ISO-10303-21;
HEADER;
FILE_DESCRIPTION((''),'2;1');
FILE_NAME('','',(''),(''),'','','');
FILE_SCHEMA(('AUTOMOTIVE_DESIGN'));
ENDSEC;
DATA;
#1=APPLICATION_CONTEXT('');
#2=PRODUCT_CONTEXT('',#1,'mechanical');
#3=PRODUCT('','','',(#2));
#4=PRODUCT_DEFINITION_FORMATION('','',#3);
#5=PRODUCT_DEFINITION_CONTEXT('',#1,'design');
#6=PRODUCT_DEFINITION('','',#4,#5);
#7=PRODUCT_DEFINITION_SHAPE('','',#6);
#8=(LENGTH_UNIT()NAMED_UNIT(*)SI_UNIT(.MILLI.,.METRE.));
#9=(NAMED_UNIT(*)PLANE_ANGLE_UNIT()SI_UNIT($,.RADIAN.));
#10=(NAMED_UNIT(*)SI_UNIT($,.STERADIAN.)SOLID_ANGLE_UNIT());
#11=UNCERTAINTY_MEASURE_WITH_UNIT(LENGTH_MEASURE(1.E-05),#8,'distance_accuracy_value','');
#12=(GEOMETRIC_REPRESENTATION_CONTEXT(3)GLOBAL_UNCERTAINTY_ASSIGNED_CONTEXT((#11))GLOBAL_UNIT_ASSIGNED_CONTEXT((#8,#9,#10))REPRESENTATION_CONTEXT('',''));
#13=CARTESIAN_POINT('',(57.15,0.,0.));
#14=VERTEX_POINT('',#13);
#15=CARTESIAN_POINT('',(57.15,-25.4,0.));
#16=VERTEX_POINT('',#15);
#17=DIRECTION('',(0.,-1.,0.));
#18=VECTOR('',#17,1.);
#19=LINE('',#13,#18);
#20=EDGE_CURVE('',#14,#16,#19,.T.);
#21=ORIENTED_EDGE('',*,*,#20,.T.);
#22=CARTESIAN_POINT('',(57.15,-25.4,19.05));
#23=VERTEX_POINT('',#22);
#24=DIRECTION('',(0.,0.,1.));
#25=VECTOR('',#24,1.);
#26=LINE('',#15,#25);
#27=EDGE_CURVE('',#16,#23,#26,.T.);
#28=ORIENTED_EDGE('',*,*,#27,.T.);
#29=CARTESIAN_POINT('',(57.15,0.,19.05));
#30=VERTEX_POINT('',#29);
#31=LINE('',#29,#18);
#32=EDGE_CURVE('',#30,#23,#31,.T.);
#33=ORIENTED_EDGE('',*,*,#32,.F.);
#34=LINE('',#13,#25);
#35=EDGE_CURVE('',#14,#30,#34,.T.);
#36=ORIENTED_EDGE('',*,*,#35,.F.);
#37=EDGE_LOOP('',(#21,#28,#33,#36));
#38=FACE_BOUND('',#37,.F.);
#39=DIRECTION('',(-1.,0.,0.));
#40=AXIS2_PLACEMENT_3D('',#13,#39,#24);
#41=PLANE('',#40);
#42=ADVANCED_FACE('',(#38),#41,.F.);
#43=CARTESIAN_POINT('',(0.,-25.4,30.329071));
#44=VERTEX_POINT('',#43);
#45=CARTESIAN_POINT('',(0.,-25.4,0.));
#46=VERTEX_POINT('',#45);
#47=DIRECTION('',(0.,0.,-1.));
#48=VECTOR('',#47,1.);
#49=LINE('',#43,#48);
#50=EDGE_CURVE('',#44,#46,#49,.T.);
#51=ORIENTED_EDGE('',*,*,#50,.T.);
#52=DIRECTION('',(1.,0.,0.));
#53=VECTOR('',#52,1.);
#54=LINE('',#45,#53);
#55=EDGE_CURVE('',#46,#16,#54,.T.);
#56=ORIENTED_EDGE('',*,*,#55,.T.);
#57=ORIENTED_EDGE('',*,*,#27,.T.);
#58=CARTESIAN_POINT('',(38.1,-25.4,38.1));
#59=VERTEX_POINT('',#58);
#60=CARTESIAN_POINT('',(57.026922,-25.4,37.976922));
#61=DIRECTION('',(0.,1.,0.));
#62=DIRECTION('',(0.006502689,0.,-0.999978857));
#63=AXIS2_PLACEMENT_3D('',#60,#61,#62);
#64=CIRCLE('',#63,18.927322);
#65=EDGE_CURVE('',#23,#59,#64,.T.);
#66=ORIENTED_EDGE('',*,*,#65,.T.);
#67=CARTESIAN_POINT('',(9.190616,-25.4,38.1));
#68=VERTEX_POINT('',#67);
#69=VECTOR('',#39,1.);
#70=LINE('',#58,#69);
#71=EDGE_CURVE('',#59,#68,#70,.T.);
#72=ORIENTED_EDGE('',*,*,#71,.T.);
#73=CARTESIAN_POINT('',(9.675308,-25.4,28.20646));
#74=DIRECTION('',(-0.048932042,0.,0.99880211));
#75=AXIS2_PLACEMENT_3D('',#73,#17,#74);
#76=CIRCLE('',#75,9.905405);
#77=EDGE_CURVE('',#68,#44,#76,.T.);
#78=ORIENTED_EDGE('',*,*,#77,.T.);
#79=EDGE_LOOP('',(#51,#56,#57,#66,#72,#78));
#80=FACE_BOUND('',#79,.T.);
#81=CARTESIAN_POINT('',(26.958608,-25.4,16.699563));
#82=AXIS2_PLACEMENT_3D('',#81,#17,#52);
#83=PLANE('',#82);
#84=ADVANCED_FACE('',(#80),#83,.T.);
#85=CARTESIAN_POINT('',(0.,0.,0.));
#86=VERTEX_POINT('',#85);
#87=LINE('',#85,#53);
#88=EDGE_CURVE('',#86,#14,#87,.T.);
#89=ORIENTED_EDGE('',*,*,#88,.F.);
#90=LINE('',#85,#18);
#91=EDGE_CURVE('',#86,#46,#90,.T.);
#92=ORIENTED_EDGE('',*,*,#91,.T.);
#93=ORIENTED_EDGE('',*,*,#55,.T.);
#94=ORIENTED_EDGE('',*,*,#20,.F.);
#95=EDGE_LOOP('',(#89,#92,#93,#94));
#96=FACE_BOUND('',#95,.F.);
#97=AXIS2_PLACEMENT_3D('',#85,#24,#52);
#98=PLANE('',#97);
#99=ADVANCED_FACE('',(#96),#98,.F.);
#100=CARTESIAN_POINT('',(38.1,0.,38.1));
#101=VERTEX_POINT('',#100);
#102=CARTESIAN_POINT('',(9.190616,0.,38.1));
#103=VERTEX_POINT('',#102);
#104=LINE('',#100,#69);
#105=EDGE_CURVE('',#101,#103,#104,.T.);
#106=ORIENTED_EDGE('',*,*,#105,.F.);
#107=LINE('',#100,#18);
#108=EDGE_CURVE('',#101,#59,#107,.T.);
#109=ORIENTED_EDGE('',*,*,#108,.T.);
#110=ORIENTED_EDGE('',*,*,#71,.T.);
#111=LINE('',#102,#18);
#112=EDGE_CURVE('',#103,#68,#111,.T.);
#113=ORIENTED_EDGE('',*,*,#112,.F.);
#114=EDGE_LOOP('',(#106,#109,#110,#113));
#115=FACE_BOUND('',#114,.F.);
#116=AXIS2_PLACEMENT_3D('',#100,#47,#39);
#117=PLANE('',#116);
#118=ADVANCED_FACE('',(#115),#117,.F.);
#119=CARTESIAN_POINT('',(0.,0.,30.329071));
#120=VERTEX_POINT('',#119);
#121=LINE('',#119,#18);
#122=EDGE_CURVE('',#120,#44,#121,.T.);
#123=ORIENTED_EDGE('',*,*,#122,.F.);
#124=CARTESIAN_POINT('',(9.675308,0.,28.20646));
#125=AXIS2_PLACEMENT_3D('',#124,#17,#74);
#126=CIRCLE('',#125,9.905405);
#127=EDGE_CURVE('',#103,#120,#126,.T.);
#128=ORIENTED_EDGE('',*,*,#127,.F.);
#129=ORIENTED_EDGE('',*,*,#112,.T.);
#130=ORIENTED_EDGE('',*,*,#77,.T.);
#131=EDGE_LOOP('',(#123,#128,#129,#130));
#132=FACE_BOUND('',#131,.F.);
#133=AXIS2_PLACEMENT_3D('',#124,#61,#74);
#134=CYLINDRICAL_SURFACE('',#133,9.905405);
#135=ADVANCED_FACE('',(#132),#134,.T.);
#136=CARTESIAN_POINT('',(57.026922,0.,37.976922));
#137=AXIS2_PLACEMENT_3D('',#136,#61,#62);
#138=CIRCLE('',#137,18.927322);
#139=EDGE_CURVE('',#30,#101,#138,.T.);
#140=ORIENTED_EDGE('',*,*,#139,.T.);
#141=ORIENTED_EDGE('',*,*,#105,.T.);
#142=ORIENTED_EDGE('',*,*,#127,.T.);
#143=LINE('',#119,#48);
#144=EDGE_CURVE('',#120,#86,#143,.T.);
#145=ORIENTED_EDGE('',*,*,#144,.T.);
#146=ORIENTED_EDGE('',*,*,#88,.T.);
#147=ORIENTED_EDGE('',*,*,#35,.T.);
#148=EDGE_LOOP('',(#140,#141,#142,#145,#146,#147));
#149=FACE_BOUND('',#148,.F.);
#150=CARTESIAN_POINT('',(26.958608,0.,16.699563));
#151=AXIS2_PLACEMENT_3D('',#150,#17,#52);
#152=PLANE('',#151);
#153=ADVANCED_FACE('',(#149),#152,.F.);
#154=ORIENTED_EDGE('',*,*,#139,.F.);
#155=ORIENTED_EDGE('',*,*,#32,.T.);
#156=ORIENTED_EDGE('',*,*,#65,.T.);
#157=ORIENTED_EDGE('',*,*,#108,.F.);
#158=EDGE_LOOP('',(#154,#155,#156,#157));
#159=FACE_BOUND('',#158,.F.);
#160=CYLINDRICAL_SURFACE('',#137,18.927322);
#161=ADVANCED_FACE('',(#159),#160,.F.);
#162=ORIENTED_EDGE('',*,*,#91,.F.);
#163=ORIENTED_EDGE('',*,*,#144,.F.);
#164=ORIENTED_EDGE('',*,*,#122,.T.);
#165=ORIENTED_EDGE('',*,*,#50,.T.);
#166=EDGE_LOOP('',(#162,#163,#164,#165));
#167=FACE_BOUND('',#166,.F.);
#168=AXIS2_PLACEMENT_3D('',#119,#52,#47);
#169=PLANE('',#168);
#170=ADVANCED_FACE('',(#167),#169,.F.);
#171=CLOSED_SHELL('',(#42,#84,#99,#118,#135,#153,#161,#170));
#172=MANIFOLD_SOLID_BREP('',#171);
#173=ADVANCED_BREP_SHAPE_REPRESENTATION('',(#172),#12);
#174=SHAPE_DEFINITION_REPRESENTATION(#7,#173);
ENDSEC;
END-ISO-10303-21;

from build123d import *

# Parameters (mm, degrees)
F1_DEPTH = 25.4


with BuildPart() as f1:
    # F0 (on Front) → F1 (new body)
    with BuildSketch(Plane.XZ):
        with BuildLine():
            Line((0, 26.083848), (0, 0))
            Line((0, 0), (57.15, 0))
            Line((57.15, 0), (57.15, 19.05))
            ThreePointArc((57.15, 19.05), (43.643284, 24.593284), (38.1, 38.1))
            Line((38.1, 38.1), (10.160001, 38.1))
            Line((10.160001, 38.1), (9.190616, 38.1))
            ThreePointArc((9.190616, 38.1), (3.279744, 35.770442), (0, 30.329071))
            Line((0, 30.329071), (0, 26.083848))
        make_face()
    extrude(amount=F1_DEPTH)


solid = f1.part
